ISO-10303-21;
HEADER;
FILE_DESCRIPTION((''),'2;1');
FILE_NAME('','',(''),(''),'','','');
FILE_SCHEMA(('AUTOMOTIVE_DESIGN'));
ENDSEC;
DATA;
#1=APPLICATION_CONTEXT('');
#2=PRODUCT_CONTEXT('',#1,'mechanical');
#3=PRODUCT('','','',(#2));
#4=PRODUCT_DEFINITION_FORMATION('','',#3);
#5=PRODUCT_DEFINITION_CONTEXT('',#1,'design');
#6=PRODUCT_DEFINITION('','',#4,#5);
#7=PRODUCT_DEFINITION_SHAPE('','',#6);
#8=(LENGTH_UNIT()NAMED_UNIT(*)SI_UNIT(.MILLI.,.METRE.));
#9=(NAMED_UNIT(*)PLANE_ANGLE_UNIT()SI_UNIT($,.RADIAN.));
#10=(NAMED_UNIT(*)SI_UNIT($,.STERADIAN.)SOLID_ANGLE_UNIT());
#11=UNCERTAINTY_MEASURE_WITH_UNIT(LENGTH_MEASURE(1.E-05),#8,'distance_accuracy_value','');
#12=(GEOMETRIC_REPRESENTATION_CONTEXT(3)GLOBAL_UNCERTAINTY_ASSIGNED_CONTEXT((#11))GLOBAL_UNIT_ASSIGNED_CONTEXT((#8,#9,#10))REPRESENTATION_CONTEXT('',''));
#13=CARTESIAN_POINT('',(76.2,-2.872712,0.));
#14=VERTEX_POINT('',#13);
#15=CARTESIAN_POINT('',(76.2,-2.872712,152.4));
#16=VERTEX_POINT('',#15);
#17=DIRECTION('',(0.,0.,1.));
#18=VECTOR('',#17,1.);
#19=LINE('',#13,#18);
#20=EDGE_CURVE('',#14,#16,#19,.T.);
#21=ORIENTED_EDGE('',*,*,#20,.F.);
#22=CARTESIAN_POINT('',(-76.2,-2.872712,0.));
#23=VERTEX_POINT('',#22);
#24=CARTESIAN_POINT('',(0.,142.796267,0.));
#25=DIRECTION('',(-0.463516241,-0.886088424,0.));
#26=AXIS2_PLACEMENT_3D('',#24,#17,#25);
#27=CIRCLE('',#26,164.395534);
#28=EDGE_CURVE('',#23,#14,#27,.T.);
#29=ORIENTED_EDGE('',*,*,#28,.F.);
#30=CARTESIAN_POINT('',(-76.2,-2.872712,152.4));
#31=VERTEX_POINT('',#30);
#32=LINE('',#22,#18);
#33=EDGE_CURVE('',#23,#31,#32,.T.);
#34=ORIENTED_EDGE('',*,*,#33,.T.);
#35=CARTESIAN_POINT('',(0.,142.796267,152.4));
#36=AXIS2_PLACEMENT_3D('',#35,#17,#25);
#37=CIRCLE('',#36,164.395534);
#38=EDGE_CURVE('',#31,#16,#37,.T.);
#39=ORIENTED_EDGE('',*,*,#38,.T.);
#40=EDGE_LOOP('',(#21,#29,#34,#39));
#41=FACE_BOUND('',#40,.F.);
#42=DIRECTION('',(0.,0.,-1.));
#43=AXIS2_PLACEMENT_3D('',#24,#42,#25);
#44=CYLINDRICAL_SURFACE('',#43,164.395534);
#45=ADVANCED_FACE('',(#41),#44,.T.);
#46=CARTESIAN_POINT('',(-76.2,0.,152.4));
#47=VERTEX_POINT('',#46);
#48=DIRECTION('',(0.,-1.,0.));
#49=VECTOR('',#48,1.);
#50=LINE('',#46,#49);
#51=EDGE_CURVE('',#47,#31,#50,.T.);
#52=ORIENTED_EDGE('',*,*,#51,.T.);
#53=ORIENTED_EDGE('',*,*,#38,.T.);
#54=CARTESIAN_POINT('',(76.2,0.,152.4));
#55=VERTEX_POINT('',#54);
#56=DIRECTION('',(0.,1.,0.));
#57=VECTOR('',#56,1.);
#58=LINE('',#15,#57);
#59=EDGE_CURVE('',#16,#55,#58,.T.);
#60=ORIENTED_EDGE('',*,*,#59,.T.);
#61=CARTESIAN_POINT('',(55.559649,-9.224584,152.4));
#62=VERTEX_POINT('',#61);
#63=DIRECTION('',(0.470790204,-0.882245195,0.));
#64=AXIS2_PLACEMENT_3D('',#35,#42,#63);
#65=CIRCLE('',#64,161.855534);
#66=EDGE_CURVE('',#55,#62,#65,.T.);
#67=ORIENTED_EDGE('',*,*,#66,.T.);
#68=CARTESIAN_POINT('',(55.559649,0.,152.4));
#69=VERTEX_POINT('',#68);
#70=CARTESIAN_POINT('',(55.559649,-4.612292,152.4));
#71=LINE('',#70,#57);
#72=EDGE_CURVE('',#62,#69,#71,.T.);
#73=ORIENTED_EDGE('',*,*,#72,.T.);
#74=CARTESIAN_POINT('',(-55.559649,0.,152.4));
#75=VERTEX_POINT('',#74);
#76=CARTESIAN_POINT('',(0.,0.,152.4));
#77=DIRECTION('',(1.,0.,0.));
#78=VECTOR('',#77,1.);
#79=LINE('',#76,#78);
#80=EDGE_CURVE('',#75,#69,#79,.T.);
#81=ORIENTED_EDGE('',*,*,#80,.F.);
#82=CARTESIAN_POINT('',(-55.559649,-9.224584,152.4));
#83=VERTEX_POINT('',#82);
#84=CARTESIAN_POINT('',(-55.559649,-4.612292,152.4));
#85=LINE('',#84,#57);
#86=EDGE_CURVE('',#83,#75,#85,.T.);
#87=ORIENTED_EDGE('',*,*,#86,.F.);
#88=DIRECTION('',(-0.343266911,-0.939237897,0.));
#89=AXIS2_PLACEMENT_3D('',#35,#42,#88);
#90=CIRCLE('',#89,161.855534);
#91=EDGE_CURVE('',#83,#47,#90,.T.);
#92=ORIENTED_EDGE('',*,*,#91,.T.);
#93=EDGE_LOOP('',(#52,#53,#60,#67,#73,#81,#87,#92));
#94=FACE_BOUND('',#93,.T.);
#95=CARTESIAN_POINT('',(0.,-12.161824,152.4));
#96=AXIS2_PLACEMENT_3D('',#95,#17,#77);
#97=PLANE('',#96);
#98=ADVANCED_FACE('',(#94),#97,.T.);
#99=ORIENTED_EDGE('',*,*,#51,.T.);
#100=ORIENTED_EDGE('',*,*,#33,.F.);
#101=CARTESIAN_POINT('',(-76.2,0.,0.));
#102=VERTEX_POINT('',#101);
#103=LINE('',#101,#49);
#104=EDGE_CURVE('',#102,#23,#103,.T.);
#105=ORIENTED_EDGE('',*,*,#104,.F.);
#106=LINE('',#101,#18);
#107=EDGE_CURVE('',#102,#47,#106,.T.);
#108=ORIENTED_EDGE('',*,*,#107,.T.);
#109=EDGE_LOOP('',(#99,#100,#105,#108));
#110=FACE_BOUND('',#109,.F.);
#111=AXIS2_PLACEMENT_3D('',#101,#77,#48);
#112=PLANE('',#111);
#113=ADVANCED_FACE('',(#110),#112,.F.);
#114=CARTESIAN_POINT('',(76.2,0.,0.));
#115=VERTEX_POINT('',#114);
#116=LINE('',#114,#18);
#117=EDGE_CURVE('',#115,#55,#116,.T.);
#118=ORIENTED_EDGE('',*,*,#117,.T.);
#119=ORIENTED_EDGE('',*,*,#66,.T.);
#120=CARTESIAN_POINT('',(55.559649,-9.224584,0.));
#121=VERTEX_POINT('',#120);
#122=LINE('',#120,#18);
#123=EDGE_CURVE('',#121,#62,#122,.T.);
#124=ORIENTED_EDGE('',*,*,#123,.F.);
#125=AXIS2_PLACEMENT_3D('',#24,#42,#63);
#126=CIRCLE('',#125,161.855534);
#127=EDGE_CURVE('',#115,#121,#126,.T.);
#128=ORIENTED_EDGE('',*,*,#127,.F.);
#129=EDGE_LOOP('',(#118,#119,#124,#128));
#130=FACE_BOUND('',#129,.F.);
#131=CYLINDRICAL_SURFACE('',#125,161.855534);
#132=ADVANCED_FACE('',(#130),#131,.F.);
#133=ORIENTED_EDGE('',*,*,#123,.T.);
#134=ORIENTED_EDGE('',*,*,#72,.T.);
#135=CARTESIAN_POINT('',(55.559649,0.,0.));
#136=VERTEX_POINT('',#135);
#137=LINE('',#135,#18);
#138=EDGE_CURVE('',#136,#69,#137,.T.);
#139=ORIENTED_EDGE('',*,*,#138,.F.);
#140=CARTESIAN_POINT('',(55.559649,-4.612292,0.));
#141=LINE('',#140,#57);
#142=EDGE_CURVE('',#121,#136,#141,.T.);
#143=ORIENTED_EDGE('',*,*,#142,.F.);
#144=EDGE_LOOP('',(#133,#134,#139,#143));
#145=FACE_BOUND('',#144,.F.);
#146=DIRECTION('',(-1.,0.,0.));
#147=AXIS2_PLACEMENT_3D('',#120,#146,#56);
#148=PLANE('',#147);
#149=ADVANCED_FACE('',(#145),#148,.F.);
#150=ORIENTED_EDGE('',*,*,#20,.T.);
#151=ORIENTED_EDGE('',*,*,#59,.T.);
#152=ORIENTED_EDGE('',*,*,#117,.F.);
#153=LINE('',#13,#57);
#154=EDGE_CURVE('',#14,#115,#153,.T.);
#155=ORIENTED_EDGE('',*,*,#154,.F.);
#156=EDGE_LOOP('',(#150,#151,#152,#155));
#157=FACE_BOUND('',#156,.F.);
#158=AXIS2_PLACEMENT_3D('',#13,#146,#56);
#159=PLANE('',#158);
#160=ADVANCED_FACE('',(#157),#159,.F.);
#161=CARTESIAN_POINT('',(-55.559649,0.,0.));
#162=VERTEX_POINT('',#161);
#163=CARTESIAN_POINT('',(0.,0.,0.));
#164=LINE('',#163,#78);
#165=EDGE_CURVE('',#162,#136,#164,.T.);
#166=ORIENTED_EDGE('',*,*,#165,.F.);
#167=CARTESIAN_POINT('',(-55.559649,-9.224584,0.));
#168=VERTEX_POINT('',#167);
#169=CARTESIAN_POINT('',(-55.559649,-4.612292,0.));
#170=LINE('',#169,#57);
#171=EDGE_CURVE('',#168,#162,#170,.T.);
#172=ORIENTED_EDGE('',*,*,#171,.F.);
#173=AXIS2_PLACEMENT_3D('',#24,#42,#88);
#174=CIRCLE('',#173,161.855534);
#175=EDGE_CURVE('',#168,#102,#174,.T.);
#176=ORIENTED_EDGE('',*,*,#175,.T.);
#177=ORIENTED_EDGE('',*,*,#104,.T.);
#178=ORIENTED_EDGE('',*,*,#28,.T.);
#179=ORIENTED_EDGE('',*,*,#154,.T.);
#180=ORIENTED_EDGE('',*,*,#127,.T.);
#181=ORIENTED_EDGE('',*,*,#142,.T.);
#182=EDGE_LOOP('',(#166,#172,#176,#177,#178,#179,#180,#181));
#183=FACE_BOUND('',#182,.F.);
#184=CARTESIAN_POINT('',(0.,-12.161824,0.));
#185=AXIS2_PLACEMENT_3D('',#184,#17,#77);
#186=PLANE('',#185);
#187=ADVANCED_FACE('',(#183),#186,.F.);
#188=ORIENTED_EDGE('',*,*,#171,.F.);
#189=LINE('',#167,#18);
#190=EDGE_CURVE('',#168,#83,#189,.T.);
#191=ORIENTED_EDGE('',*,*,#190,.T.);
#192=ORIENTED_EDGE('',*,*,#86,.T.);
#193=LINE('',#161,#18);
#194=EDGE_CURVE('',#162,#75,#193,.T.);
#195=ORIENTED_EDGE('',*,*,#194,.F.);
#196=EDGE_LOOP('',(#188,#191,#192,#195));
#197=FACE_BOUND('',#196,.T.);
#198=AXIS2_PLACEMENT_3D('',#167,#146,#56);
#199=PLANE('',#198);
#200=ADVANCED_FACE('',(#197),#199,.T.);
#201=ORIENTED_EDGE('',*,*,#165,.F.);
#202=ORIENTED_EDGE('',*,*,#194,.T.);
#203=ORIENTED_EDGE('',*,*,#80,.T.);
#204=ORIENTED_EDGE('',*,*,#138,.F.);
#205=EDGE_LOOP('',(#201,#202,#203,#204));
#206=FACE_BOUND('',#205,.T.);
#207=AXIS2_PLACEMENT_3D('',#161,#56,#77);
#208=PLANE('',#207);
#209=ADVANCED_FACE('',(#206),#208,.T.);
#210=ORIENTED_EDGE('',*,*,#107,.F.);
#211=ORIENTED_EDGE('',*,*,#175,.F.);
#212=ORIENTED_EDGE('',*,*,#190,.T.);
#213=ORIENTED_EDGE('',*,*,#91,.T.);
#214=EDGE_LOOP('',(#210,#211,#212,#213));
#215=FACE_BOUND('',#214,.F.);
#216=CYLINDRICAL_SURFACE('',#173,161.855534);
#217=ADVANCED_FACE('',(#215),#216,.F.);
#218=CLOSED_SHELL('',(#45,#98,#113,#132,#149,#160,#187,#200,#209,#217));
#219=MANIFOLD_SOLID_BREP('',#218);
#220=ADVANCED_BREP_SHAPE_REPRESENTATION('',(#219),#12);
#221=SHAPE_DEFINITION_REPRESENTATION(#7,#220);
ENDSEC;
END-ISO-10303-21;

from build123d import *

# Parameters (mm, degrees)
F0_W     = 111.1192986223
F0_H     = 9.2245843104
F1_DEPTH = 152.4


with BuildPart() as f1:
    # F0 (on Top) → F1 (new body)
    with BuildSketch(Plane.XY):
        with BuildLine():
            ThreePointArc((-55.5596493111, -9.2245843104), (0, -19.0592669183), (55.5596493111, -9.2245843104))
            Line((55.5596493111, -9.2245843104), (-55.5596493111, -9.2245843104))
        make_face()
        with Locations((0, -4.6122921552)):
            Rectangle(F0_W, F0_H)
        with BuildLine():
            ThreePointArc((76.2, 0), (66.0410821805, -4.9731118685), (55.5596493111, -9.2245843104))
            ThreePointArc((55.5596493111, -9.2245843104), (0, -19.0592669183), (-55.5596493111, -9.2245843104))
            ThreePointArc((-55.5596493111, -9.2245843104), (-66.0410821805, -4.9731118685), (-76.2, 0))
            Line((-76.2, 0), (-76.2, -2.872712475))
            ThreePointArc((-76.2, -2.872712475), (0, -21.5992669183), (76.2, -2.872712475))
            Line((76.2, -2.872712475), (76.2, 0))
        make_face()
    extrude(amount=F1_DEPTH)


solid = f1.part
